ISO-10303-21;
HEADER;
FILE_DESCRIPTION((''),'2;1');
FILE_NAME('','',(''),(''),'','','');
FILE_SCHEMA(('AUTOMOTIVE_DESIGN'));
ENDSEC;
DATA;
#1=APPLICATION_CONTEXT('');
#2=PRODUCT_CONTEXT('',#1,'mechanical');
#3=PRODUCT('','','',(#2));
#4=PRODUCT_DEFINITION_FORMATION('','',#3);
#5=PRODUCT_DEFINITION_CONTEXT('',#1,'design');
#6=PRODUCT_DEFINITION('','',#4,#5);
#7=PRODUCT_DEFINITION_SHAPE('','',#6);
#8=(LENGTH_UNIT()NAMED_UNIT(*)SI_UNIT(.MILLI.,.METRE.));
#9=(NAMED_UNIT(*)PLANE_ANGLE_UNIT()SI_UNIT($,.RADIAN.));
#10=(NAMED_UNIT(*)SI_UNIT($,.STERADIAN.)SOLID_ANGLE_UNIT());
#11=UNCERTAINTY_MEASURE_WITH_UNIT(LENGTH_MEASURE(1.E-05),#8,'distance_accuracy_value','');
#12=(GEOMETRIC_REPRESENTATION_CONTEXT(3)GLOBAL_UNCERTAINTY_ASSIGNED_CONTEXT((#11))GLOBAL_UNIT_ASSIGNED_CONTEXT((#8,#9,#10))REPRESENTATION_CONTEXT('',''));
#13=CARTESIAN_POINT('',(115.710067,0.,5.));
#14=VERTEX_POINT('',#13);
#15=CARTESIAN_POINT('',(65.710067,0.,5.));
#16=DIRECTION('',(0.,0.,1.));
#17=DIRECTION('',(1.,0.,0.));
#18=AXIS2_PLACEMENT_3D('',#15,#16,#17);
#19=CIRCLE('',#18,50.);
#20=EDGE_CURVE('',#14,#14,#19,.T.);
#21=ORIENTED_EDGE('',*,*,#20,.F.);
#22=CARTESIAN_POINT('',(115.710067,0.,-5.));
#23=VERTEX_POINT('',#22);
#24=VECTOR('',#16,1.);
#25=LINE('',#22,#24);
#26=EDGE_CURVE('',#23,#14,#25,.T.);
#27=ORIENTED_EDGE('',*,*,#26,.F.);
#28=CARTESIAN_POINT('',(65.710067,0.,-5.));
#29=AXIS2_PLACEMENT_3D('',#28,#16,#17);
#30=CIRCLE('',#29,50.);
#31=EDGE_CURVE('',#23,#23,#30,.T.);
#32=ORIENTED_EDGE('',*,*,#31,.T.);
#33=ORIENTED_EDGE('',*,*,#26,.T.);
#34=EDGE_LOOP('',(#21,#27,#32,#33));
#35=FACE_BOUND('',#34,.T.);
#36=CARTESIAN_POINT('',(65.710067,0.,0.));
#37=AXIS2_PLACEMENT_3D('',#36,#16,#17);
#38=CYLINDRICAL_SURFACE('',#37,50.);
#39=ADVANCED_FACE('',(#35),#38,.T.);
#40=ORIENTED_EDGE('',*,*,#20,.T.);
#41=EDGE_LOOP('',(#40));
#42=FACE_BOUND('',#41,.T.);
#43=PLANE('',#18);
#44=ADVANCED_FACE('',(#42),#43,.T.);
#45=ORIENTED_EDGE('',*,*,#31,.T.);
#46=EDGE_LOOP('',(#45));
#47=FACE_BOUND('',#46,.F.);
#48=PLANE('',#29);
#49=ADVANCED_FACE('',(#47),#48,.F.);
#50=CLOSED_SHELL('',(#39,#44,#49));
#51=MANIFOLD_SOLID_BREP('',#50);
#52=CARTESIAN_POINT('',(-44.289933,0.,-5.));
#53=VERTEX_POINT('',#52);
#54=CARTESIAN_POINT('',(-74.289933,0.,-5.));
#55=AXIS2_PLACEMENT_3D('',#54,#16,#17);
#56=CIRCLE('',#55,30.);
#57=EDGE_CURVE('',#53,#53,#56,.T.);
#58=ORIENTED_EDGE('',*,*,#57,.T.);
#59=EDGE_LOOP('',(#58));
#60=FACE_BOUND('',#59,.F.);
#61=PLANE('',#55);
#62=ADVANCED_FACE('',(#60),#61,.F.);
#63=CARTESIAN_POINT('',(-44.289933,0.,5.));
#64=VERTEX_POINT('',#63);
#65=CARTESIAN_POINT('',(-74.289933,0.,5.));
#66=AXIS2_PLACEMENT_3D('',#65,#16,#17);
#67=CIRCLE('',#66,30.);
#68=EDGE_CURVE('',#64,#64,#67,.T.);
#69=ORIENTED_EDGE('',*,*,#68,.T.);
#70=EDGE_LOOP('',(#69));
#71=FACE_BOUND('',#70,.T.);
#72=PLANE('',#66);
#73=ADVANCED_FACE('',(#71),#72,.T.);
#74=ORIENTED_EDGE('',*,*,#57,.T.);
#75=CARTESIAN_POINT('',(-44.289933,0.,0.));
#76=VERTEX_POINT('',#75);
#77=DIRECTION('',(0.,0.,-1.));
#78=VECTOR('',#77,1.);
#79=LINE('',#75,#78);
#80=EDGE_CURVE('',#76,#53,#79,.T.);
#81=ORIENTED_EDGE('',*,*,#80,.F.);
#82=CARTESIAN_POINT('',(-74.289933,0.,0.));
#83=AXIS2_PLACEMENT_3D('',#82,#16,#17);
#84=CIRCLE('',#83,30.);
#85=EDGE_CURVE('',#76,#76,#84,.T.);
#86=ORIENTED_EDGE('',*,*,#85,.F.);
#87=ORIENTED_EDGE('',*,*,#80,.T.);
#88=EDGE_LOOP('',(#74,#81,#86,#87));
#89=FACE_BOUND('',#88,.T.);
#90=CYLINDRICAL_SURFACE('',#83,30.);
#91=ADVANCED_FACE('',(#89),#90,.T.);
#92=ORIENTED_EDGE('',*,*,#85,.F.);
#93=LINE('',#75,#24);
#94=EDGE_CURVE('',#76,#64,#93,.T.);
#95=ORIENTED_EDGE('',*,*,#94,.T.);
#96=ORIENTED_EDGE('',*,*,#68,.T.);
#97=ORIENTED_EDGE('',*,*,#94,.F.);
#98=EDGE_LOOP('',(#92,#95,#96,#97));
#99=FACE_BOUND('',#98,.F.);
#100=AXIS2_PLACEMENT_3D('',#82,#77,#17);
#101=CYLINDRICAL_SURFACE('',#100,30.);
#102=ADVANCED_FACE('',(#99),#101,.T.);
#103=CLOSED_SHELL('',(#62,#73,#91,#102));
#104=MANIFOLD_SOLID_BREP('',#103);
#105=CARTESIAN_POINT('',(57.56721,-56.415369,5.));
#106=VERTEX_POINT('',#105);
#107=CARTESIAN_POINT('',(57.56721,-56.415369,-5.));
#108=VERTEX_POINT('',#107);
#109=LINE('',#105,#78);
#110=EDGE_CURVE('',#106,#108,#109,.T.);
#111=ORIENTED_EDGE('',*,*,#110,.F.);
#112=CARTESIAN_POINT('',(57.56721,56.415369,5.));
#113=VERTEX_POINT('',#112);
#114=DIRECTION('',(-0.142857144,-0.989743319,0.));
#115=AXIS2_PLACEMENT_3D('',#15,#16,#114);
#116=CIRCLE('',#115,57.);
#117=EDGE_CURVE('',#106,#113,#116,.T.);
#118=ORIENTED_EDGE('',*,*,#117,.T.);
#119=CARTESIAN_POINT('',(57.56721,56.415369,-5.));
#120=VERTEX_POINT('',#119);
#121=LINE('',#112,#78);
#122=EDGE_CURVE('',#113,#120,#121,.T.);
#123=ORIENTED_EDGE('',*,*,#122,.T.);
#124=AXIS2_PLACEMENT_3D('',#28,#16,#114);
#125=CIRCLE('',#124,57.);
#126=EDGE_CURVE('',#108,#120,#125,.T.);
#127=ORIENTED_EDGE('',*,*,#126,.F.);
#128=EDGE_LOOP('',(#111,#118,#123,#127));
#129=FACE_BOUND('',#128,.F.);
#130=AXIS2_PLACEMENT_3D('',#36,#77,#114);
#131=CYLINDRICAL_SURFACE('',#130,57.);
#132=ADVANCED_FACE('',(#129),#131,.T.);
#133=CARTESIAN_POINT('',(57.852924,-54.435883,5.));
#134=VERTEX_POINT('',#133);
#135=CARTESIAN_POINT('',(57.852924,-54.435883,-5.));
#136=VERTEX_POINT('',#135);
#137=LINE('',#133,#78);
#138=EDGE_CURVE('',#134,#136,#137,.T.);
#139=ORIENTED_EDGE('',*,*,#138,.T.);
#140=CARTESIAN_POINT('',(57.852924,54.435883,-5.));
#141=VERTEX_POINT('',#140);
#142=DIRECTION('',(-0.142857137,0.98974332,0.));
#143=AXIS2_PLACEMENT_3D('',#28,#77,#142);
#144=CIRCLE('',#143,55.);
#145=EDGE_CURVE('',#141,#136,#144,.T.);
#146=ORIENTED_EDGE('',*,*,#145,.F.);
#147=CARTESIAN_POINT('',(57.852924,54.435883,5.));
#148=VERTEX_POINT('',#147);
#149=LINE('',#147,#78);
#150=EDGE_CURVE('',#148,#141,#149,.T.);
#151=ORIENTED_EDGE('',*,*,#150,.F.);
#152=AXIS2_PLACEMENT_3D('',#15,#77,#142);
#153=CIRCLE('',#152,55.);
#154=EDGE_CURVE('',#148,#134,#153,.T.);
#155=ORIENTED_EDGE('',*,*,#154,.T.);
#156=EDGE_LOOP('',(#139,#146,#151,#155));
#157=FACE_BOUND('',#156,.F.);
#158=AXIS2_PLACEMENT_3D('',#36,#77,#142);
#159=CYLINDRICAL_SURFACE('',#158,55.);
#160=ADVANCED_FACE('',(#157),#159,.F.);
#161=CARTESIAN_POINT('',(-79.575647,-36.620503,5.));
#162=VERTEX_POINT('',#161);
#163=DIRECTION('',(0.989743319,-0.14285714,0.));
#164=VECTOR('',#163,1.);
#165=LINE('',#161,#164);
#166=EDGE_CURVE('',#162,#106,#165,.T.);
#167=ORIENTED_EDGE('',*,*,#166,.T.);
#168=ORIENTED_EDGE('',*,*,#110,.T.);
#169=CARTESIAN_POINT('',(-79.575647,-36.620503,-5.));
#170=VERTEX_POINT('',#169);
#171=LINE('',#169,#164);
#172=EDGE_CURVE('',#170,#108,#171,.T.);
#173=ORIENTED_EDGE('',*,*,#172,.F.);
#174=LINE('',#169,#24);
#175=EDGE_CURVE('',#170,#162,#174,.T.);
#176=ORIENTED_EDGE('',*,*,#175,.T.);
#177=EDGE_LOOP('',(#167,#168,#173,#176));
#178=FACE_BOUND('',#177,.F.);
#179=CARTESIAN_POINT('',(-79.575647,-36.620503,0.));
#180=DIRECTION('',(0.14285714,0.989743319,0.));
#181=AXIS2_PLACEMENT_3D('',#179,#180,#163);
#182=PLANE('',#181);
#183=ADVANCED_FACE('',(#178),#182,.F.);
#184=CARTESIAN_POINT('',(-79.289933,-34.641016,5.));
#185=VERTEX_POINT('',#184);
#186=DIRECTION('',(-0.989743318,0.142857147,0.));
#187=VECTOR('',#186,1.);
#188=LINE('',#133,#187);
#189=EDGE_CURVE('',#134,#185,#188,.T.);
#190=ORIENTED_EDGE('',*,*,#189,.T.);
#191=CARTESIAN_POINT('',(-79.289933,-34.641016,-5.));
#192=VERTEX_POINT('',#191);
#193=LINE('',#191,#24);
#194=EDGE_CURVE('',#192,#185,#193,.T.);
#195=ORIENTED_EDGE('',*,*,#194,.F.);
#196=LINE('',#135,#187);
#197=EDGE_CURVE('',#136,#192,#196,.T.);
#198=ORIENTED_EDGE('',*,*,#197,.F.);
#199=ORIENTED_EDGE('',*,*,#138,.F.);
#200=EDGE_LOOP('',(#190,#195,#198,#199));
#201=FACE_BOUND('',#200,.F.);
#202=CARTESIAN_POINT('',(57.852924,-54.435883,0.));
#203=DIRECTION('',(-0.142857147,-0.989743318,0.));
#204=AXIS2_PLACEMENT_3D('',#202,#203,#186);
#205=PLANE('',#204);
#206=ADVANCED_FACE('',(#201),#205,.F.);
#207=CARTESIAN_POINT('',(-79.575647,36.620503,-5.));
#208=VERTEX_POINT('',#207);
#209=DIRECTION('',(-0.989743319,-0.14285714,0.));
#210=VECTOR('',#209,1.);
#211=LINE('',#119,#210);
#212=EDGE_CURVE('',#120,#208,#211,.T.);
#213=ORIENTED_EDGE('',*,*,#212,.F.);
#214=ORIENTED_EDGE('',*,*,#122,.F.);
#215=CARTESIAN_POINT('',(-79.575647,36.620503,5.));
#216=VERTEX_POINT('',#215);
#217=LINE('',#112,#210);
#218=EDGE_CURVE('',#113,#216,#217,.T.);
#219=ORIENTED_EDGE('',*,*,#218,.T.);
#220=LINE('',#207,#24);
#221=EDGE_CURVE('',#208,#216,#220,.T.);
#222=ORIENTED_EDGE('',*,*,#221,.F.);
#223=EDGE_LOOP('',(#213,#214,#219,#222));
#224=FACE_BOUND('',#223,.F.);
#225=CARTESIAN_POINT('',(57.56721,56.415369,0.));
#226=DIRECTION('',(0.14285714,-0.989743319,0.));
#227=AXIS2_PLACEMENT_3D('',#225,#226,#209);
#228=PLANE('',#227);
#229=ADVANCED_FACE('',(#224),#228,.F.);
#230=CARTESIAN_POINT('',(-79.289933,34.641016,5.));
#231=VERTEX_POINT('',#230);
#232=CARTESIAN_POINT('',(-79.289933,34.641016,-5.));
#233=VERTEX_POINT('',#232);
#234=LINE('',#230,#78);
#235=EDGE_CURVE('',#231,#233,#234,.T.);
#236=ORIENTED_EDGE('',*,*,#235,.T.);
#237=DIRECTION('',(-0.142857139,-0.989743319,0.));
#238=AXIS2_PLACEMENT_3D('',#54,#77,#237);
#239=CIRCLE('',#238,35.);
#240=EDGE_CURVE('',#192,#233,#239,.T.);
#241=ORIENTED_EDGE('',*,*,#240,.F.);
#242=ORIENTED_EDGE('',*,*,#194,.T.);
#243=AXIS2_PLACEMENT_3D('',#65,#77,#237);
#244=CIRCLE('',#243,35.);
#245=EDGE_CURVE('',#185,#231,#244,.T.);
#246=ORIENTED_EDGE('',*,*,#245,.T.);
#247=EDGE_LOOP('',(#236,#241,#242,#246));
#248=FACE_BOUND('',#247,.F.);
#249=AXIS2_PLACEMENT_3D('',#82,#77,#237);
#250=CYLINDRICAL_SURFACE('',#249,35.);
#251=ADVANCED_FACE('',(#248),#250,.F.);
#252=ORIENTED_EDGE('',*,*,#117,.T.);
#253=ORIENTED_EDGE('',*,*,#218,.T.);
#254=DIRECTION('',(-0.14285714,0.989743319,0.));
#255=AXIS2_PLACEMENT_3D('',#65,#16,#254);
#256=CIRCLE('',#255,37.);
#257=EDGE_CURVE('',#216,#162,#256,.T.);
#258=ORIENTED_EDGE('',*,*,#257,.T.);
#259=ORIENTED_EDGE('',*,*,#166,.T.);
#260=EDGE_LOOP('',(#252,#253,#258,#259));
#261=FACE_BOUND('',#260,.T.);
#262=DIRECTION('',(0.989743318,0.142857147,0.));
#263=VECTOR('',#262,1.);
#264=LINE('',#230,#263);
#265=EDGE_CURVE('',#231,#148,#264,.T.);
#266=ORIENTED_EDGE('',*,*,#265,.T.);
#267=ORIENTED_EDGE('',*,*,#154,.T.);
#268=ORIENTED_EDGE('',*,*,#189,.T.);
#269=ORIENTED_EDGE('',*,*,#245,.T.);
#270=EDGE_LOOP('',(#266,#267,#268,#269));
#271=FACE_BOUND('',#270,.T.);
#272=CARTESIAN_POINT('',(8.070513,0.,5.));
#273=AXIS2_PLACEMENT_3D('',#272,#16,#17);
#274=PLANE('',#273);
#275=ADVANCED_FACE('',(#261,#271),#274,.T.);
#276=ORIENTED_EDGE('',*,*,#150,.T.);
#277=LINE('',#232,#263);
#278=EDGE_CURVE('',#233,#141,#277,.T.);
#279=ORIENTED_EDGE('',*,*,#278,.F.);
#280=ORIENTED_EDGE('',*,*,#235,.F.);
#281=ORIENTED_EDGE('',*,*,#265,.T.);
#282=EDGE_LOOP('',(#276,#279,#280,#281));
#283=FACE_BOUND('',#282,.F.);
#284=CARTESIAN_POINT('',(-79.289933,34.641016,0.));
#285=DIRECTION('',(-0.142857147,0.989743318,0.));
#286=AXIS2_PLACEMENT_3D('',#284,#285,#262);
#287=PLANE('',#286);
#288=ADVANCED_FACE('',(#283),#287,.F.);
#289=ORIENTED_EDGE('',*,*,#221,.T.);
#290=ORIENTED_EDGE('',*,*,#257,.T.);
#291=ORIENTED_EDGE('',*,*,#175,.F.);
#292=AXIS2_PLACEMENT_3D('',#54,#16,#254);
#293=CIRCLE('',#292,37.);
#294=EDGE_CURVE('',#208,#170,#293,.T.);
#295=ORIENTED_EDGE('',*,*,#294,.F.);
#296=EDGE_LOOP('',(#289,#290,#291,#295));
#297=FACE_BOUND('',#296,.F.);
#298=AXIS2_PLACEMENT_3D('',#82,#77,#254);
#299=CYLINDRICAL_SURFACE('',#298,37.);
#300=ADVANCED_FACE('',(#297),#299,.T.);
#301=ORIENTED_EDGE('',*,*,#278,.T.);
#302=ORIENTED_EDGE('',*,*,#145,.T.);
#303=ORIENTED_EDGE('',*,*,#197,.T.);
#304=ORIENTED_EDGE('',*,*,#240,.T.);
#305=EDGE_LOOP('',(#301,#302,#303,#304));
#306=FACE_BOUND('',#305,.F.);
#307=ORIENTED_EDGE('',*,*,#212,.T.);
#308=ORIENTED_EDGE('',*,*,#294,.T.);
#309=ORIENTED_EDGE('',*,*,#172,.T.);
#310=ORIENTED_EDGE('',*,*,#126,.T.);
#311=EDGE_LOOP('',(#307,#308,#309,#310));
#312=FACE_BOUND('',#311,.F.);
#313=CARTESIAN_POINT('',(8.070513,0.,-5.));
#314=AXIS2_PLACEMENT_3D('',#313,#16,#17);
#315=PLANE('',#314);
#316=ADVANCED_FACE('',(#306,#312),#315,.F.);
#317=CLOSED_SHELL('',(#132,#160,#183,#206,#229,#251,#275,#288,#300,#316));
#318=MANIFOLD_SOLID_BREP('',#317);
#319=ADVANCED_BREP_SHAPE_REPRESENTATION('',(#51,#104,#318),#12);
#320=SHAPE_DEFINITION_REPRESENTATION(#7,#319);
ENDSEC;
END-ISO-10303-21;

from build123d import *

# Parameters (mm, degrees)
F0_R     = 30
F0_R_2   = 50
F1_DEPTH = 5


with BuildPart() as f1:
    # F0 (on Top) → F1 (new body, symmetric)
    with BuildSketch(Plane.XY):
        with BuildLine():
            Line((57.56721, 56.415369), (-79.575647, 36.620503))
            ThreePointArc((-79.575647, 36.620503), (-111.289933, 0), (-79.575647, -36.620503))
            Line((-79.575647, -36.620503), (57.56721, -56.415369))
            ThreePointArc((57.56721, -56.415369), (122.710067, 0), (57.56721, 56.415369))
        make_face()
        with BuildLine():
            ThreePointArc((-79.289933, -34.641016), (-109.289933, 0), (-79.289933, 34.641016))
            Line((-79.289933, 34.641016), (57.852924, 54.435883))
            ThreePointArc((57.852924, 54.435883), (120.710067, 0), (57.852924, -54.435883))
            Line((57.852924, -54.435883), (-79.289933, -34.641016))
        make_face(mode=Mode.SUBTRACT)
        with Locations((-74.289933, 0)):
            Circle(F0_R)
        with Locations((65.710067, 0)):
            Circle(F0_R_2)
    extrude(amount=F1_DEPTH, both=True)


solid = f1.part
